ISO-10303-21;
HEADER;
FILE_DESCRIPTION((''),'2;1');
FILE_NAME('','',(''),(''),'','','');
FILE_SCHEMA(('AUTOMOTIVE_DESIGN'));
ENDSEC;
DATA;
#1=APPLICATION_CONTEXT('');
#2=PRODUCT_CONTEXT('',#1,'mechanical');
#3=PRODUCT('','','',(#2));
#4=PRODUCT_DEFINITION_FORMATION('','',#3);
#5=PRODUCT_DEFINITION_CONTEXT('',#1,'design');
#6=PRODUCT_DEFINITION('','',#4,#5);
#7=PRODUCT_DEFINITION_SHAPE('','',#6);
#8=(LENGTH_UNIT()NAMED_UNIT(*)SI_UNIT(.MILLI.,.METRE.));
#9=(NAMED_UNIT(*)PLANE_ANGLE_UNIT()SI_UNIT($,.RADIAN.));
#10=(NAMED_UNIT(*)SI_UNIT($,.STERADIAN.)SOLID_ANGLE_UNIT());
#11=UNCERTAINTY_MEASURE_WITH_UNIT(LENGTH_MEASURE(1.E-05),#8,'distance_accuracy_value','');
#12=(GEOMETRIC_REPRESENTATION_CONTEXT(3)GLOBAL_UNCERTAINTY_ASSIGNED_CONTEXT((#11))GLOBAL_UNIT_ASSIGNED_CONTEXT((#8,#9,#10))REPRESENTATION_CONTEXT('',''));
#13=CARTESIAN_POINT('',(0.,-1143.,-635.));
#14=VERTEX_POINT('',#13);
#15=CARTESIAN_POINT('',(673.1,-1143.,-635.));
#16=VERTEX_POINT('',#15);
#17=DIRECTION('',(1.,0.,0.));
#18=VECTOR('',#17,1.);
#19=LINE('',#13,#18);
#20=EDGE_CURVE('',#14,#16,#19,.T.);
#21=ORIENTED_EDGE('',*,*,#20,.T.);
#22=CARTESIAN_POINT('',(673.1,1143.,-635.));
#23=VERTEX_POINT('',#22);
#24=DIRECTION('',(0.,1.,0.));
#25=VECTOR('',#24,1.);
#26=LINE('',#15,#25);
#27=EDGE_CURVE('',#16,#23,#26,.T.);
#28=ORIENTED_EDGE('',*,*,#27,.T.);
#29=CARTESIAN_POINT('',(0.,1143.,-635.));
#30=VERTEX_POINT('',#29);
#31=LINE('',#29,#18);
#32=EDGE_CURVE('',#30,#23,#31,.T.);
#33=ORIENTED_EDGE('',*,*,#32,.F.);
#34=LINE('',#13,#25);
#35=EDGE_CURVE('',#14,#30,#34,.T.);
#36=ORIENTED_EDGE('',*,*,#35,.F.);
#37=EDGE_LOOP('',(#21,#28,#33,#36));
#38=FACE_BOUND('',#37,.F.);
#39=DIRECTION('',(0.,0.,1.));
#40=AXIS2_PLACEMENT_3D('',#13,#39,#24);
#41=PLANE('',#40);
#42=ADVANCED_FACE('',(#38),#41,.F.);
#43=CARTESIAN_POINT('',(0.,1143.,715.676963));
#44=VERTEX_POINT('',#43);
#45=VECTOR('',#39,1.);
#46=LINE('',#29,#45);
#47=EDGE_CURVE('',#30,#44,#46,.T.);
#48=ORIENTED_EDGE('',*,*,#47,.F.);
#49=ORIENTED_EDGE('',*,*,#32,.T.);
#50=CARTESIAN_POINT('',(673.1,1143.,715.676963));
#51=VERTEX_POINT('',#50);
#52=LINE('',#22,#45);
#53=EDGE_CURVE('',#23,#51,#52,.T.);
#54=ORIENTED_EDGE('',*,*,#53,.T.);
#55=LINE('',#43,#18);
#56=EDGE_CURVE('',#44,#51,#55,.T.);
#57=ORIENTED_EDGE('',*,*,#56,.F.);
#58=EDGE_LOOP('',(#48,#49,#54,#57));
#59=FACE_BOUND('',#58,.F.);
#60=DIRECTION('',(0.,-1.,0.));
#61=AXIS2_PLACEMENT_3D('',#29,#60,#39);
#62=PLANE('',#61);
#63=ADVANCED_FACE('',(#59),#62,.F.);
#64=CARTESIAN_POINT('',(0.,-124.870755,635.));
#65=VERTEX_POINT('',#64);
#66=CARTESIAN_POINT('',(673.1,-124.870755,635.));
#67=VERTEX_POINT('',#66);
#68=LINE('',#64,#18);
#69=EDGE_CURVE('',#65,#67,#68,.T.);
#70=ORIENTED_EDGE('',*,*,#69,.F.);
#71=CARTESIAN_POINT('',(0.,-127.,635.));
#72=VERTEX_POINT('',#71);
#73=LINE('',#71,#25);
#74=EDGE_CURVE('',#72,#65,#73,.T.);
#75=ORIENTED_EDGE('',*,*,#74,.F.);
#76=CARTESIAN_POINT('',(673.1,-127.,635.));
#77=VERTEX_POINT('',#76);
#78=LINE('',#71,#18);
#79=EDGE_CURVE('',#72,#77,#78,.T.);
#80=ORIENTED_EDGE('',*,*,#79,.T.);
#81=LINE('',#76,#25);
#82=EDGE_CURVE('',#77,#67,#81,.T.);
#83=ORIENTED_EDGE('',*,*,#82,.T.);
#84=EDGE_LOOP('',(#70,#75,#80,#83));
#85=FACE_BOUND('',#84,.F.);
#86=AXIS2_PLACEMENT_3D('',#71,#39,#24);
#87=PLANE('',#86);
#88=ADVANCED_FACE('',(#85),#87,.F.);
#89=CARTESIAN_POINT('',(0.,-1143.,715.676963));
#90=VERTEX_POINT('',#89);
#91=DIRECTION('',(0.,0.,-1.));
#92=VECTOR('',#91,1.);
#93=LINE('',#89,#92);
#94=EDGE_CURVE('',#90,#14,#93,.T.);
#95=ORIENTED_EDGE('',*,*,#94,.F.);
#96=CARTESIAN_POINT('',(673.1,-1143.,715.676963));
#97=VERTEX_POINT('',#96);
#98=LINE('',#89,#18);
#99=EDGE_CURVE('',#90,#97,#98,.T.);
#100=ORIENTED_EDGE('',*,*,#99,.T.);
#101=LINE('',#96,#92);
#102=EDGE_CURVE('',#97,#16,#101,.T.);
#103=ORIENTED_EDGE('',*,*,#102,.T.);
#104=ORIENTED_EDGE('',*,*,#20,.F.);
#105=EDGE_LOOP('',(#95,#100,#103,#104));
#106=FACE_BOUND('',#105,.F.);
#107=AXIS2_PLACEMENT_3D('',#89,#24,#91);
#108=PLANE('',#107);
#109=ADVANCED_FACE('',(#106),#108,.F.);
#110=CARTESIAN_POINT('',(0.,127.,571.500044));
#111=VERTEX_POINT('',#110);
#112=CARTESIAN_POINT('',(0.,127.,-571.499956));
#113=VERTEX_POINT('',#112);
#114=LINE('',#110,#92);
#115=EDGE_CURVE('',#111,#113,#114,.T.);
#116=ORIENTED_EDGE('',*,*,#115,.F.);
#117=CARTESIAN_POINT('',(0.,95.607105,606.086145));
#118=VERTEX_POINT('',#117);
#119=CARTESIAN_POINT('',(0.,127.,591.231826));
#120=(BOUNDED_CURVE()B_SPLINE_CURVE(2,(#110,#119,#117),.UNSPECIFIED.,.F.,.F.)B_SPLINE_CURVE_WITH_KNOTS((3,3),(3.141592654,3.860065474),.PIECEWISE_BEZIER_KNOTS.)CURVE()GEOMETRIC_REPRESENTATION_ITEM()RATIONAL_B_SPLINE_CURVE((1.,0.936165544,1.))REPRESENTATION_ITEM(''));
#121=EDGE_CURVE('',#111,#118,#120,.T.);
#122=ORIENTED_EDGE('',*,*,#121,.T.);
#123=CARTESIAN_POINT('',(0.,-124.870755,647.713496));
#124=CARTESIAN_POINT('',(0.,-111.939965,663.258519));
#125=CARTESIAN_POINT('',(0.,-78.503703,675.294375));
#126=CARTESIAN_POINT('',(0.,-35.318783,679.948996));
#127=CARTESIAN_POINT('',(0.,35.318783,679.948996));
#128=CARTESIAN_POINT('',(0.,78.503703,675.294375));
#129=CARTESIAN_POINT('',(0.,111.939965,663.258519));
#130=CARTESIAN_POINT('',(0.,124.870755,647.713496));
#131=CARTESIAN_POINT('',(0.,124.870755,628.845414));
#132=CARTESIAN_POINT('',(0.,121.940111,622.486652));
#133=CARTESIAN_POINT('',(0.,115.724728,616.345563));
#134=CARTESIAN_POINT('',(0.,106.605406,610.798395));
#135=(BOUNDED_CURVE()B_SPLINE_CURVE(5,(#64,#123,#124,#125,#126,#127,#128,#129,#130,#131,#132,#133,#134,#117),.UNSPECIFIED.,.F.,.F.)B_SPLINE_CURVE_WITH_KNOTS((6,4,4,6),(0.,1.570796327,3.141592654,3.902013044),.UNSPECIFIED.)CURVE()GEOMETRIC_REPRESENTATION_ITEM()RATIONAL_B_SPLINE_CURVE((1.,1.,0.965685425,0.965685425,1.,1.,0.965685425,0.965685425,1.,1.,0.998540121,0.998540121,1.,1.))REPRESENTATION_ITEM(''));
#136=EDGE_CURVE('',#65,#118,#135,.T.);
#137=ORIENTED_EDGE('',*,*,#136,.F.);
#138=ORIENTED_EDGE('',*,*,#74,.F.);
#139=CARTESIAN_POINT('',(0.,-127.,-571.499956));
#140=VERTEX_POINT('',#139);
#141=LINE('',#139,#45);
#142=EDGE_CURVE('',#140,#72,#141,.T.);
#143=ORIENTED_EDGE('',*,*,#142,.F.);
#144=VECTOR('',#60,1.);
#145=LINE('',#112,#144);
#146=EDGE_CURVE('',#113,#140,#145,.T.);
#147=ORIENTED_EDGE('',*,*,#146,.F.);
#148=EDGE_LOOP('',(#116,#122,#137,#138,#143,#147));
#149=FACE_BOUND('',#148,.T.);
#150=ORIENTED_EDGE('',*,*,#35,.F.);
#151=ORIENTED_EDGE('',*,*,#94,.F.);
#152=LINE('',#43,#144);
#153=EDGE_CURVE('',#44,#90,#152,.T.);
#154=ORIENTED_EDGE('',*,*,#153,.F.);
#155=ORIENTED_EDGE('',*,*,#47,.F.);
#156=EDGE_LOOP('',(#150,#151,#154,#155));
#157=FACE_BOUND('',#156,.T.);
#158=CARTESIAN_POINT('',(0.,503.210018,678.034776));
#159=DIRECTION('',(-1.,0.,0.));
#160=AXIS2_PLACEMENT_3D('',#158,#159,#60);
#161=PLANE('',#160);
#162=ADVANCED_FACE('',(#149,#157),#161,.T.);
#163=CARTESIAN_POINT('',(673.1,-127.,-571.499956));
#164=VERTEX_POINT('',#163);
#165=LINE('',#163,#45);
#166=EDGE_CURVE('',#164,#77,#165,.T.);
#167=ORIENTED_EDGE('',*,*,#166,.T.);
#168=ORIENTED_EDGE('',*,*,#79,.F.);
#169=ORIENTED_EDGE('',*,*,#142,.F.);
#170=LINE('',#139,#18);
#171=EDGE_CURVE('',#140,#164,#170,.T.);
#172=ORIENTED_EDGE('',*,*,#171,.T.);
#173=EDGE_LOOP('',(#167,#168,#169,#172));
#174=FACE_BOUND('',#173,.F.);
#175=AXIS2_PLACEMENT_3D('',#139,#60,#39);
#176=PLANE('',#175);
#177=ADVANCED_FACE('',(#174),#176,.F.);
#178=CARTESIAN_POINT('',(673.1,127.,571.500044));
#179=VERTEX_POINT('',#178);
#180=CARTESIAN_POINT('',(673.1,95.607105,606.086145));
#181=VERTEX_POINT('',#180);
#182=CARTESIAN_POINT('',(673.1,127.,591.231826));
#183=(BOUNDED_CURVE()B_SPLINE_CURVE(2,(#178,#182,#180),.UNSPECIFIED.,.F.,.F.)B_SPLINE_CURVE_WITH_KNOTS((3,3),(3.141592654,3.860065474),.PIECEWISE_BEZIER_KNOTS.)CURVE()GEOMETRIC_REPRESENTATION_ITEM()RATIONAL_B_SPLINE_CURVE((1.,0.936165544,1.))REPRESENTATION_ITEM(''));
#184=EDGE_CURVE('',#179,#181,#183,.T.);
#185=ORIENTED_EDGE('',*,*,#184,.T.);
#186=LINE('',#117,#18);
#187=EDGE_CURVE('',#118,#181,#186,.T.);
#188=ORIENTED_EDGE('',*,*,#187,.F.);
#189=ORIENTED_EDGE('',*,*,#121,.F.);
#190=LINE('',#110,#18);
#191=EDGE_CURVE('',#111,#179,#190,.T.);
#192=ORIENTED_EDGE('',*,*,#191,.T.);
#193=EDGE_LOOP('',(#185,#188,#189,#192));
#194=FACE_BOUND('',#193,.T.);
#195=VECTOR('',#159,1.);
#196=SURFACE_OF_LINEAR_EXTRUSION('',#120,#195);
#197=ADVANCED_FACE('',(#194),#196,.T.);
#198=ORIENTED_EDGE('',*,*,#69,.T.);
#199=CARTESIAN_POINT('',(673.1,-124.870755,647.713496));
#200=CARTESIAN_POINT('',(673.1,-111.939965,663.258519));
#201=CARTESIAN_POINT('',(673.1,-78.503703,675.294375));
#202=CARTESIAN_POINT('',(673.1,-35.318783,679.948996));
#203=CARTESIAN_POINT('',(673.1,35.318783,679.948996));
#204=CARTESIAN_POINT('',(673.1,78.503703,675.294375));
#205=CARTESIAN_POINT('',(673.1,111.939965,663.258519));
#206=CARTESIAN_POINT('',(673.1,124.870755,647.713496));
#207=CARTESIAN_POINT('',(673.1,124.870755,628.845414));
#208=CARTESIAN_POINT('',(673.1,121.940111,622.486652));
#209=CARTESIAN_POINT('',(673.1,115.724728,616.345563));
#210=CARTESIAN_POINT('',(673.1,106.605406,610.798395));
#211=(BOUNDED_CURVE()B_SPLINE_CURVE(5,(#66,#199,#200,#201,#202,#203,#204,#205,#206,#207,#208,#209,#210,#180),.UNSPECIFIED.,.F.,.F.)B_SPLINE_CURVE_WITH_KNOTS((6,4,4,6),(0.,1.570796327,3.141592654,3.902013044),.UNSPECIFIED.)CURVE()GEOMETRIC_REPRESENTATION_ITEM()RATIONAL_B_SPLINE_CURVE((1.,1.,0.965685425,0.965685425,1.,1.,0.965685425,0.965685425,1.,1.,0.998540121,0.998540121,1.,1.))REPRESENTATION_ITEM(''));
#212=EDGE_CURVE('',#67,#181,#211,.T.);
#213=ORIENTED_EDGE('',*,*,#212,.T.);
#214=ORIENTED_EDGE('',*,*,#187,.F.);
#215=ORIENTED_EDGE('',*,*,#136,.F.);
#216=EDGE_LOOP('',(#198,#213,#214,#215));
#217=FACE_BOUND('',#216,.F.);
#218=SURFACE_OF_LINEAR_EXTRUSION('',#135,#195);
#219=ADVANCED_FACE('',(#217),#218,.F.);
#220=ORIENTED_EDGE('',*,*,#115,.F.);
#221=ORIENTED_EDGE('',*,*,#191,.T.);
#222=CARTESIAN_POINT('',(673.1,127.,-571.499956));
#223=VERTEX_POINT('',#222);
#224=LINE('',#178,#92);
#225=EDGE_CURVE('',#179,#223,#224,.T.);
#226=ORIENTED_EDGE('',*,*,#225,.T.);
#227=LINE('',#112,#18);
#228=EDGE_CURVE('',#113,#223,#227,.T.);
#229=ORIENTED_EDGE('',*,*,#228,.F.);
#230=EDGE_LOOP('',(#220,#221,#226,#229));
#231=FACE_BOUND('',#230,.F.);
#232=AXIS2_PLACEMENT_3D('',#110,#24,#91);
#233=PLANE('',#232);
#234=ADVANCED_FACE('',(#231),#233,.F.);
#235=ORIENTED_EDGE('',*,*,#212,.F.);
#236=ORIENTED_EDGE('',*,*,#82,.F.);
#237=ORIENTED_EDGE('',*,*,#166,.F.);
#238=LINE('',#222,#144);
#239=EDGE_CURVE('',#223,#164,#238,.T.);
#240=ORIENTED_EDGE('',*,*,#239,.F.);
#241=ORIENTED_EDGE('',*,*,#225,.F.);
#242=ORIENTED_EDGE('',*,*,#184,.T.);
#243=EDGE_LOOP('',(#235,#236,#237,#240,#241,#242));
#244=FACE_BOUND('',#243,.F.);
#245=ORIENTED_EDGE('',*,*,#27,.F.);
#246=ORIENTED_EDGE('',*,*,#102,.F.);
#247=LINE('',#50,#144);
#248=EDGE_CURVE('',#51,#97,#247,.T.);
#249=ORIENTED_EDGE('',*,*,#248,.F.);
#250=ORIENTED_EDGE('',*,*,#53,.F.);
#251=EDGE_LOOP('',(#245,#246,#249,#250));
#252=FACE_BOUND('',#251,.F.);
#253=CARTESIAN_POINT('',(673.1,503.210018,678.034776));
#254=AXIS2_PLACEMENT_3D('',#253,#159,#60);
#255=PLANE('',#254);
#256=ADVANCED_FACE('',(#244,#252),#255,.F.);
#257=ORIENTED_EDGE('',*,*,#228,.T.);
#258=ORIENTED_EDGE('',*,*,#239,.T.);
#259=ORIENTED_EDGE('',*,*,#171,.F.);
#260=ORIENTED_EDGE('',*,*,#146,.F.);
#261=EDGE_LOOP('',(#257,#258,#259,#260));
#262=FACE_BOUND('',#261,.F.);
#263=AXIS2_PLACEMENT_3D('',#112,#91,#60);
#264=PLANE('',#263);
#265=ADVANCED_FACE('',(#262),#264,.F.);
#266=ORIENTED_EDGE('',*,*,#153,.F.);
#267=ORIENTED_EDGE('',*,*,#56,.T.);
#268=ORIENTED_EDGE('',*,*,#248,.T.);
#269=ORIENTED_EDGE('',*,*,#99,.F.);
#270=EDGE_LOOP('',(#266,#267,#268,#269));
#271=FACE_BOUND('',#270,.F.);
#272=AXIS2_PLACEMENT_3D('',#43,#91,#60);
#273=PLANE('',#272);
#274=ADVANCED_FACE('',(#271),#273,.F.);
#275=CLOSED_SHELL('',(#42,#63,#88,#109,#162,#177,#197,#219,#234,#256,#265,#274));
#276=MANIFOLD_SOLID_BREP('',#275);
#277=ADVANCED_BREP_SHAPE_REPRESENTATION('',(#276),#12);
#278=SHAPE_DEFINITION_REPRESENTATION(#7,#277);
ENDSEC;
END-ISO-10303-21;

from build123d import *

# Parameters (mm, degrees)
F0_W     = 1016
F0_H     = 1064.964177138
F0_H_2   = 63.49995557
F0_H_3   = 80.6769633293
F0_H_4   = 78.035822862
F1_DEPTH = 673.1


with BuildPart() as f1:
    # F0 (on Right) → F1 (new body)
    with BuildSketch(Plane.YZ):
        with BuildLine():
            add(Edge.make_bspline(
                [(124.8707547784, 635), (124.8707547784, 679.9489962108), (0, 679.9489962108), (-124.8707547784, 679.9489962108), (-124.8707547784, 635)],
                knots=[0, 0, 0, 1.5707963268, 1.5707963268, 3.1415926536, 3.1415926536, 3.1415926536], degree=2, weights=[1, 0.7071067812, 1, 0.7071067812, 1]))
            Line((124.8707547784, 635), (1143, 635))
            Line((1143, 635), (1143, 715.6769633293))
            Line((1143, 715.6769633293), (-127, 715.6769633293))
            Line((-127, 715.6769633293), (-127, 635))
            Line((-127, 635), (-124.8707547784, 635))
        make_face()
        with BuildLine():
            Line((1143, 635), (124.8707547784, 635))
            add(Edge.make_bspline(
                [(95.6071050479, 606.0861450464), (124.8707547784, 618.6242292335), (124.8707547784, 635)],
                knots=[5.5844378412, 5.5844378412, 5.5844378412, 6.2831853072, 6.2831853072, 6.2831853072], degree=2, weights=[1, 0.9395872742, 1]))
            add(Edge.make_bspline(
                [(127, 571.50004443), (127, 591.231826025), (95.6071050479, 606.0861450464)],
                knots=[3.1415926536, 3.1415926536, 3.1415926536, 3.8600654741, 3.8600654741, 3.8600654741], degree=2, weights=[1, 0.9361655438, 1]))
            Line((127, 571.50004443), (1143, 571.50004443))
            Line((1143, 571.50004443), (1143, 635))
        make_face()
        with Locations((635, 39.017955861)):
            Rectangle(F0_W, F0_H)
        with Locations((-635, 603.250022215)):
            Rectangle(F0_W, F0_H_2)
        with Locations((-635, 675.3384816647)):
            Rectangle(F0_W, F0_H_3)
        with Locations((635, -532.482044139)):
            Rectangle(F0_W, F0_H_4)
        with Locations((-635, 39.017955861)):
            Rectangle(F0_W, F0_H)
        Polygon((1143, -635), (1143, -571.49995557), (127, -571.49995557), (-127, -571.49995557), (-1143, -571.49995557), (-1143, -581.1184632736), (-1089.1184632736, -635), align=None)
        with Locations((-635, -532.482044139)):
            Rectangle(F0_W, F0_H_4)
        Polygon((-1143, -635), (-1089.1184632736, -635), (-1143, -581.1184632736), align=None)
    extrude(amount=F1_DEPTH)


solid = f1.part
